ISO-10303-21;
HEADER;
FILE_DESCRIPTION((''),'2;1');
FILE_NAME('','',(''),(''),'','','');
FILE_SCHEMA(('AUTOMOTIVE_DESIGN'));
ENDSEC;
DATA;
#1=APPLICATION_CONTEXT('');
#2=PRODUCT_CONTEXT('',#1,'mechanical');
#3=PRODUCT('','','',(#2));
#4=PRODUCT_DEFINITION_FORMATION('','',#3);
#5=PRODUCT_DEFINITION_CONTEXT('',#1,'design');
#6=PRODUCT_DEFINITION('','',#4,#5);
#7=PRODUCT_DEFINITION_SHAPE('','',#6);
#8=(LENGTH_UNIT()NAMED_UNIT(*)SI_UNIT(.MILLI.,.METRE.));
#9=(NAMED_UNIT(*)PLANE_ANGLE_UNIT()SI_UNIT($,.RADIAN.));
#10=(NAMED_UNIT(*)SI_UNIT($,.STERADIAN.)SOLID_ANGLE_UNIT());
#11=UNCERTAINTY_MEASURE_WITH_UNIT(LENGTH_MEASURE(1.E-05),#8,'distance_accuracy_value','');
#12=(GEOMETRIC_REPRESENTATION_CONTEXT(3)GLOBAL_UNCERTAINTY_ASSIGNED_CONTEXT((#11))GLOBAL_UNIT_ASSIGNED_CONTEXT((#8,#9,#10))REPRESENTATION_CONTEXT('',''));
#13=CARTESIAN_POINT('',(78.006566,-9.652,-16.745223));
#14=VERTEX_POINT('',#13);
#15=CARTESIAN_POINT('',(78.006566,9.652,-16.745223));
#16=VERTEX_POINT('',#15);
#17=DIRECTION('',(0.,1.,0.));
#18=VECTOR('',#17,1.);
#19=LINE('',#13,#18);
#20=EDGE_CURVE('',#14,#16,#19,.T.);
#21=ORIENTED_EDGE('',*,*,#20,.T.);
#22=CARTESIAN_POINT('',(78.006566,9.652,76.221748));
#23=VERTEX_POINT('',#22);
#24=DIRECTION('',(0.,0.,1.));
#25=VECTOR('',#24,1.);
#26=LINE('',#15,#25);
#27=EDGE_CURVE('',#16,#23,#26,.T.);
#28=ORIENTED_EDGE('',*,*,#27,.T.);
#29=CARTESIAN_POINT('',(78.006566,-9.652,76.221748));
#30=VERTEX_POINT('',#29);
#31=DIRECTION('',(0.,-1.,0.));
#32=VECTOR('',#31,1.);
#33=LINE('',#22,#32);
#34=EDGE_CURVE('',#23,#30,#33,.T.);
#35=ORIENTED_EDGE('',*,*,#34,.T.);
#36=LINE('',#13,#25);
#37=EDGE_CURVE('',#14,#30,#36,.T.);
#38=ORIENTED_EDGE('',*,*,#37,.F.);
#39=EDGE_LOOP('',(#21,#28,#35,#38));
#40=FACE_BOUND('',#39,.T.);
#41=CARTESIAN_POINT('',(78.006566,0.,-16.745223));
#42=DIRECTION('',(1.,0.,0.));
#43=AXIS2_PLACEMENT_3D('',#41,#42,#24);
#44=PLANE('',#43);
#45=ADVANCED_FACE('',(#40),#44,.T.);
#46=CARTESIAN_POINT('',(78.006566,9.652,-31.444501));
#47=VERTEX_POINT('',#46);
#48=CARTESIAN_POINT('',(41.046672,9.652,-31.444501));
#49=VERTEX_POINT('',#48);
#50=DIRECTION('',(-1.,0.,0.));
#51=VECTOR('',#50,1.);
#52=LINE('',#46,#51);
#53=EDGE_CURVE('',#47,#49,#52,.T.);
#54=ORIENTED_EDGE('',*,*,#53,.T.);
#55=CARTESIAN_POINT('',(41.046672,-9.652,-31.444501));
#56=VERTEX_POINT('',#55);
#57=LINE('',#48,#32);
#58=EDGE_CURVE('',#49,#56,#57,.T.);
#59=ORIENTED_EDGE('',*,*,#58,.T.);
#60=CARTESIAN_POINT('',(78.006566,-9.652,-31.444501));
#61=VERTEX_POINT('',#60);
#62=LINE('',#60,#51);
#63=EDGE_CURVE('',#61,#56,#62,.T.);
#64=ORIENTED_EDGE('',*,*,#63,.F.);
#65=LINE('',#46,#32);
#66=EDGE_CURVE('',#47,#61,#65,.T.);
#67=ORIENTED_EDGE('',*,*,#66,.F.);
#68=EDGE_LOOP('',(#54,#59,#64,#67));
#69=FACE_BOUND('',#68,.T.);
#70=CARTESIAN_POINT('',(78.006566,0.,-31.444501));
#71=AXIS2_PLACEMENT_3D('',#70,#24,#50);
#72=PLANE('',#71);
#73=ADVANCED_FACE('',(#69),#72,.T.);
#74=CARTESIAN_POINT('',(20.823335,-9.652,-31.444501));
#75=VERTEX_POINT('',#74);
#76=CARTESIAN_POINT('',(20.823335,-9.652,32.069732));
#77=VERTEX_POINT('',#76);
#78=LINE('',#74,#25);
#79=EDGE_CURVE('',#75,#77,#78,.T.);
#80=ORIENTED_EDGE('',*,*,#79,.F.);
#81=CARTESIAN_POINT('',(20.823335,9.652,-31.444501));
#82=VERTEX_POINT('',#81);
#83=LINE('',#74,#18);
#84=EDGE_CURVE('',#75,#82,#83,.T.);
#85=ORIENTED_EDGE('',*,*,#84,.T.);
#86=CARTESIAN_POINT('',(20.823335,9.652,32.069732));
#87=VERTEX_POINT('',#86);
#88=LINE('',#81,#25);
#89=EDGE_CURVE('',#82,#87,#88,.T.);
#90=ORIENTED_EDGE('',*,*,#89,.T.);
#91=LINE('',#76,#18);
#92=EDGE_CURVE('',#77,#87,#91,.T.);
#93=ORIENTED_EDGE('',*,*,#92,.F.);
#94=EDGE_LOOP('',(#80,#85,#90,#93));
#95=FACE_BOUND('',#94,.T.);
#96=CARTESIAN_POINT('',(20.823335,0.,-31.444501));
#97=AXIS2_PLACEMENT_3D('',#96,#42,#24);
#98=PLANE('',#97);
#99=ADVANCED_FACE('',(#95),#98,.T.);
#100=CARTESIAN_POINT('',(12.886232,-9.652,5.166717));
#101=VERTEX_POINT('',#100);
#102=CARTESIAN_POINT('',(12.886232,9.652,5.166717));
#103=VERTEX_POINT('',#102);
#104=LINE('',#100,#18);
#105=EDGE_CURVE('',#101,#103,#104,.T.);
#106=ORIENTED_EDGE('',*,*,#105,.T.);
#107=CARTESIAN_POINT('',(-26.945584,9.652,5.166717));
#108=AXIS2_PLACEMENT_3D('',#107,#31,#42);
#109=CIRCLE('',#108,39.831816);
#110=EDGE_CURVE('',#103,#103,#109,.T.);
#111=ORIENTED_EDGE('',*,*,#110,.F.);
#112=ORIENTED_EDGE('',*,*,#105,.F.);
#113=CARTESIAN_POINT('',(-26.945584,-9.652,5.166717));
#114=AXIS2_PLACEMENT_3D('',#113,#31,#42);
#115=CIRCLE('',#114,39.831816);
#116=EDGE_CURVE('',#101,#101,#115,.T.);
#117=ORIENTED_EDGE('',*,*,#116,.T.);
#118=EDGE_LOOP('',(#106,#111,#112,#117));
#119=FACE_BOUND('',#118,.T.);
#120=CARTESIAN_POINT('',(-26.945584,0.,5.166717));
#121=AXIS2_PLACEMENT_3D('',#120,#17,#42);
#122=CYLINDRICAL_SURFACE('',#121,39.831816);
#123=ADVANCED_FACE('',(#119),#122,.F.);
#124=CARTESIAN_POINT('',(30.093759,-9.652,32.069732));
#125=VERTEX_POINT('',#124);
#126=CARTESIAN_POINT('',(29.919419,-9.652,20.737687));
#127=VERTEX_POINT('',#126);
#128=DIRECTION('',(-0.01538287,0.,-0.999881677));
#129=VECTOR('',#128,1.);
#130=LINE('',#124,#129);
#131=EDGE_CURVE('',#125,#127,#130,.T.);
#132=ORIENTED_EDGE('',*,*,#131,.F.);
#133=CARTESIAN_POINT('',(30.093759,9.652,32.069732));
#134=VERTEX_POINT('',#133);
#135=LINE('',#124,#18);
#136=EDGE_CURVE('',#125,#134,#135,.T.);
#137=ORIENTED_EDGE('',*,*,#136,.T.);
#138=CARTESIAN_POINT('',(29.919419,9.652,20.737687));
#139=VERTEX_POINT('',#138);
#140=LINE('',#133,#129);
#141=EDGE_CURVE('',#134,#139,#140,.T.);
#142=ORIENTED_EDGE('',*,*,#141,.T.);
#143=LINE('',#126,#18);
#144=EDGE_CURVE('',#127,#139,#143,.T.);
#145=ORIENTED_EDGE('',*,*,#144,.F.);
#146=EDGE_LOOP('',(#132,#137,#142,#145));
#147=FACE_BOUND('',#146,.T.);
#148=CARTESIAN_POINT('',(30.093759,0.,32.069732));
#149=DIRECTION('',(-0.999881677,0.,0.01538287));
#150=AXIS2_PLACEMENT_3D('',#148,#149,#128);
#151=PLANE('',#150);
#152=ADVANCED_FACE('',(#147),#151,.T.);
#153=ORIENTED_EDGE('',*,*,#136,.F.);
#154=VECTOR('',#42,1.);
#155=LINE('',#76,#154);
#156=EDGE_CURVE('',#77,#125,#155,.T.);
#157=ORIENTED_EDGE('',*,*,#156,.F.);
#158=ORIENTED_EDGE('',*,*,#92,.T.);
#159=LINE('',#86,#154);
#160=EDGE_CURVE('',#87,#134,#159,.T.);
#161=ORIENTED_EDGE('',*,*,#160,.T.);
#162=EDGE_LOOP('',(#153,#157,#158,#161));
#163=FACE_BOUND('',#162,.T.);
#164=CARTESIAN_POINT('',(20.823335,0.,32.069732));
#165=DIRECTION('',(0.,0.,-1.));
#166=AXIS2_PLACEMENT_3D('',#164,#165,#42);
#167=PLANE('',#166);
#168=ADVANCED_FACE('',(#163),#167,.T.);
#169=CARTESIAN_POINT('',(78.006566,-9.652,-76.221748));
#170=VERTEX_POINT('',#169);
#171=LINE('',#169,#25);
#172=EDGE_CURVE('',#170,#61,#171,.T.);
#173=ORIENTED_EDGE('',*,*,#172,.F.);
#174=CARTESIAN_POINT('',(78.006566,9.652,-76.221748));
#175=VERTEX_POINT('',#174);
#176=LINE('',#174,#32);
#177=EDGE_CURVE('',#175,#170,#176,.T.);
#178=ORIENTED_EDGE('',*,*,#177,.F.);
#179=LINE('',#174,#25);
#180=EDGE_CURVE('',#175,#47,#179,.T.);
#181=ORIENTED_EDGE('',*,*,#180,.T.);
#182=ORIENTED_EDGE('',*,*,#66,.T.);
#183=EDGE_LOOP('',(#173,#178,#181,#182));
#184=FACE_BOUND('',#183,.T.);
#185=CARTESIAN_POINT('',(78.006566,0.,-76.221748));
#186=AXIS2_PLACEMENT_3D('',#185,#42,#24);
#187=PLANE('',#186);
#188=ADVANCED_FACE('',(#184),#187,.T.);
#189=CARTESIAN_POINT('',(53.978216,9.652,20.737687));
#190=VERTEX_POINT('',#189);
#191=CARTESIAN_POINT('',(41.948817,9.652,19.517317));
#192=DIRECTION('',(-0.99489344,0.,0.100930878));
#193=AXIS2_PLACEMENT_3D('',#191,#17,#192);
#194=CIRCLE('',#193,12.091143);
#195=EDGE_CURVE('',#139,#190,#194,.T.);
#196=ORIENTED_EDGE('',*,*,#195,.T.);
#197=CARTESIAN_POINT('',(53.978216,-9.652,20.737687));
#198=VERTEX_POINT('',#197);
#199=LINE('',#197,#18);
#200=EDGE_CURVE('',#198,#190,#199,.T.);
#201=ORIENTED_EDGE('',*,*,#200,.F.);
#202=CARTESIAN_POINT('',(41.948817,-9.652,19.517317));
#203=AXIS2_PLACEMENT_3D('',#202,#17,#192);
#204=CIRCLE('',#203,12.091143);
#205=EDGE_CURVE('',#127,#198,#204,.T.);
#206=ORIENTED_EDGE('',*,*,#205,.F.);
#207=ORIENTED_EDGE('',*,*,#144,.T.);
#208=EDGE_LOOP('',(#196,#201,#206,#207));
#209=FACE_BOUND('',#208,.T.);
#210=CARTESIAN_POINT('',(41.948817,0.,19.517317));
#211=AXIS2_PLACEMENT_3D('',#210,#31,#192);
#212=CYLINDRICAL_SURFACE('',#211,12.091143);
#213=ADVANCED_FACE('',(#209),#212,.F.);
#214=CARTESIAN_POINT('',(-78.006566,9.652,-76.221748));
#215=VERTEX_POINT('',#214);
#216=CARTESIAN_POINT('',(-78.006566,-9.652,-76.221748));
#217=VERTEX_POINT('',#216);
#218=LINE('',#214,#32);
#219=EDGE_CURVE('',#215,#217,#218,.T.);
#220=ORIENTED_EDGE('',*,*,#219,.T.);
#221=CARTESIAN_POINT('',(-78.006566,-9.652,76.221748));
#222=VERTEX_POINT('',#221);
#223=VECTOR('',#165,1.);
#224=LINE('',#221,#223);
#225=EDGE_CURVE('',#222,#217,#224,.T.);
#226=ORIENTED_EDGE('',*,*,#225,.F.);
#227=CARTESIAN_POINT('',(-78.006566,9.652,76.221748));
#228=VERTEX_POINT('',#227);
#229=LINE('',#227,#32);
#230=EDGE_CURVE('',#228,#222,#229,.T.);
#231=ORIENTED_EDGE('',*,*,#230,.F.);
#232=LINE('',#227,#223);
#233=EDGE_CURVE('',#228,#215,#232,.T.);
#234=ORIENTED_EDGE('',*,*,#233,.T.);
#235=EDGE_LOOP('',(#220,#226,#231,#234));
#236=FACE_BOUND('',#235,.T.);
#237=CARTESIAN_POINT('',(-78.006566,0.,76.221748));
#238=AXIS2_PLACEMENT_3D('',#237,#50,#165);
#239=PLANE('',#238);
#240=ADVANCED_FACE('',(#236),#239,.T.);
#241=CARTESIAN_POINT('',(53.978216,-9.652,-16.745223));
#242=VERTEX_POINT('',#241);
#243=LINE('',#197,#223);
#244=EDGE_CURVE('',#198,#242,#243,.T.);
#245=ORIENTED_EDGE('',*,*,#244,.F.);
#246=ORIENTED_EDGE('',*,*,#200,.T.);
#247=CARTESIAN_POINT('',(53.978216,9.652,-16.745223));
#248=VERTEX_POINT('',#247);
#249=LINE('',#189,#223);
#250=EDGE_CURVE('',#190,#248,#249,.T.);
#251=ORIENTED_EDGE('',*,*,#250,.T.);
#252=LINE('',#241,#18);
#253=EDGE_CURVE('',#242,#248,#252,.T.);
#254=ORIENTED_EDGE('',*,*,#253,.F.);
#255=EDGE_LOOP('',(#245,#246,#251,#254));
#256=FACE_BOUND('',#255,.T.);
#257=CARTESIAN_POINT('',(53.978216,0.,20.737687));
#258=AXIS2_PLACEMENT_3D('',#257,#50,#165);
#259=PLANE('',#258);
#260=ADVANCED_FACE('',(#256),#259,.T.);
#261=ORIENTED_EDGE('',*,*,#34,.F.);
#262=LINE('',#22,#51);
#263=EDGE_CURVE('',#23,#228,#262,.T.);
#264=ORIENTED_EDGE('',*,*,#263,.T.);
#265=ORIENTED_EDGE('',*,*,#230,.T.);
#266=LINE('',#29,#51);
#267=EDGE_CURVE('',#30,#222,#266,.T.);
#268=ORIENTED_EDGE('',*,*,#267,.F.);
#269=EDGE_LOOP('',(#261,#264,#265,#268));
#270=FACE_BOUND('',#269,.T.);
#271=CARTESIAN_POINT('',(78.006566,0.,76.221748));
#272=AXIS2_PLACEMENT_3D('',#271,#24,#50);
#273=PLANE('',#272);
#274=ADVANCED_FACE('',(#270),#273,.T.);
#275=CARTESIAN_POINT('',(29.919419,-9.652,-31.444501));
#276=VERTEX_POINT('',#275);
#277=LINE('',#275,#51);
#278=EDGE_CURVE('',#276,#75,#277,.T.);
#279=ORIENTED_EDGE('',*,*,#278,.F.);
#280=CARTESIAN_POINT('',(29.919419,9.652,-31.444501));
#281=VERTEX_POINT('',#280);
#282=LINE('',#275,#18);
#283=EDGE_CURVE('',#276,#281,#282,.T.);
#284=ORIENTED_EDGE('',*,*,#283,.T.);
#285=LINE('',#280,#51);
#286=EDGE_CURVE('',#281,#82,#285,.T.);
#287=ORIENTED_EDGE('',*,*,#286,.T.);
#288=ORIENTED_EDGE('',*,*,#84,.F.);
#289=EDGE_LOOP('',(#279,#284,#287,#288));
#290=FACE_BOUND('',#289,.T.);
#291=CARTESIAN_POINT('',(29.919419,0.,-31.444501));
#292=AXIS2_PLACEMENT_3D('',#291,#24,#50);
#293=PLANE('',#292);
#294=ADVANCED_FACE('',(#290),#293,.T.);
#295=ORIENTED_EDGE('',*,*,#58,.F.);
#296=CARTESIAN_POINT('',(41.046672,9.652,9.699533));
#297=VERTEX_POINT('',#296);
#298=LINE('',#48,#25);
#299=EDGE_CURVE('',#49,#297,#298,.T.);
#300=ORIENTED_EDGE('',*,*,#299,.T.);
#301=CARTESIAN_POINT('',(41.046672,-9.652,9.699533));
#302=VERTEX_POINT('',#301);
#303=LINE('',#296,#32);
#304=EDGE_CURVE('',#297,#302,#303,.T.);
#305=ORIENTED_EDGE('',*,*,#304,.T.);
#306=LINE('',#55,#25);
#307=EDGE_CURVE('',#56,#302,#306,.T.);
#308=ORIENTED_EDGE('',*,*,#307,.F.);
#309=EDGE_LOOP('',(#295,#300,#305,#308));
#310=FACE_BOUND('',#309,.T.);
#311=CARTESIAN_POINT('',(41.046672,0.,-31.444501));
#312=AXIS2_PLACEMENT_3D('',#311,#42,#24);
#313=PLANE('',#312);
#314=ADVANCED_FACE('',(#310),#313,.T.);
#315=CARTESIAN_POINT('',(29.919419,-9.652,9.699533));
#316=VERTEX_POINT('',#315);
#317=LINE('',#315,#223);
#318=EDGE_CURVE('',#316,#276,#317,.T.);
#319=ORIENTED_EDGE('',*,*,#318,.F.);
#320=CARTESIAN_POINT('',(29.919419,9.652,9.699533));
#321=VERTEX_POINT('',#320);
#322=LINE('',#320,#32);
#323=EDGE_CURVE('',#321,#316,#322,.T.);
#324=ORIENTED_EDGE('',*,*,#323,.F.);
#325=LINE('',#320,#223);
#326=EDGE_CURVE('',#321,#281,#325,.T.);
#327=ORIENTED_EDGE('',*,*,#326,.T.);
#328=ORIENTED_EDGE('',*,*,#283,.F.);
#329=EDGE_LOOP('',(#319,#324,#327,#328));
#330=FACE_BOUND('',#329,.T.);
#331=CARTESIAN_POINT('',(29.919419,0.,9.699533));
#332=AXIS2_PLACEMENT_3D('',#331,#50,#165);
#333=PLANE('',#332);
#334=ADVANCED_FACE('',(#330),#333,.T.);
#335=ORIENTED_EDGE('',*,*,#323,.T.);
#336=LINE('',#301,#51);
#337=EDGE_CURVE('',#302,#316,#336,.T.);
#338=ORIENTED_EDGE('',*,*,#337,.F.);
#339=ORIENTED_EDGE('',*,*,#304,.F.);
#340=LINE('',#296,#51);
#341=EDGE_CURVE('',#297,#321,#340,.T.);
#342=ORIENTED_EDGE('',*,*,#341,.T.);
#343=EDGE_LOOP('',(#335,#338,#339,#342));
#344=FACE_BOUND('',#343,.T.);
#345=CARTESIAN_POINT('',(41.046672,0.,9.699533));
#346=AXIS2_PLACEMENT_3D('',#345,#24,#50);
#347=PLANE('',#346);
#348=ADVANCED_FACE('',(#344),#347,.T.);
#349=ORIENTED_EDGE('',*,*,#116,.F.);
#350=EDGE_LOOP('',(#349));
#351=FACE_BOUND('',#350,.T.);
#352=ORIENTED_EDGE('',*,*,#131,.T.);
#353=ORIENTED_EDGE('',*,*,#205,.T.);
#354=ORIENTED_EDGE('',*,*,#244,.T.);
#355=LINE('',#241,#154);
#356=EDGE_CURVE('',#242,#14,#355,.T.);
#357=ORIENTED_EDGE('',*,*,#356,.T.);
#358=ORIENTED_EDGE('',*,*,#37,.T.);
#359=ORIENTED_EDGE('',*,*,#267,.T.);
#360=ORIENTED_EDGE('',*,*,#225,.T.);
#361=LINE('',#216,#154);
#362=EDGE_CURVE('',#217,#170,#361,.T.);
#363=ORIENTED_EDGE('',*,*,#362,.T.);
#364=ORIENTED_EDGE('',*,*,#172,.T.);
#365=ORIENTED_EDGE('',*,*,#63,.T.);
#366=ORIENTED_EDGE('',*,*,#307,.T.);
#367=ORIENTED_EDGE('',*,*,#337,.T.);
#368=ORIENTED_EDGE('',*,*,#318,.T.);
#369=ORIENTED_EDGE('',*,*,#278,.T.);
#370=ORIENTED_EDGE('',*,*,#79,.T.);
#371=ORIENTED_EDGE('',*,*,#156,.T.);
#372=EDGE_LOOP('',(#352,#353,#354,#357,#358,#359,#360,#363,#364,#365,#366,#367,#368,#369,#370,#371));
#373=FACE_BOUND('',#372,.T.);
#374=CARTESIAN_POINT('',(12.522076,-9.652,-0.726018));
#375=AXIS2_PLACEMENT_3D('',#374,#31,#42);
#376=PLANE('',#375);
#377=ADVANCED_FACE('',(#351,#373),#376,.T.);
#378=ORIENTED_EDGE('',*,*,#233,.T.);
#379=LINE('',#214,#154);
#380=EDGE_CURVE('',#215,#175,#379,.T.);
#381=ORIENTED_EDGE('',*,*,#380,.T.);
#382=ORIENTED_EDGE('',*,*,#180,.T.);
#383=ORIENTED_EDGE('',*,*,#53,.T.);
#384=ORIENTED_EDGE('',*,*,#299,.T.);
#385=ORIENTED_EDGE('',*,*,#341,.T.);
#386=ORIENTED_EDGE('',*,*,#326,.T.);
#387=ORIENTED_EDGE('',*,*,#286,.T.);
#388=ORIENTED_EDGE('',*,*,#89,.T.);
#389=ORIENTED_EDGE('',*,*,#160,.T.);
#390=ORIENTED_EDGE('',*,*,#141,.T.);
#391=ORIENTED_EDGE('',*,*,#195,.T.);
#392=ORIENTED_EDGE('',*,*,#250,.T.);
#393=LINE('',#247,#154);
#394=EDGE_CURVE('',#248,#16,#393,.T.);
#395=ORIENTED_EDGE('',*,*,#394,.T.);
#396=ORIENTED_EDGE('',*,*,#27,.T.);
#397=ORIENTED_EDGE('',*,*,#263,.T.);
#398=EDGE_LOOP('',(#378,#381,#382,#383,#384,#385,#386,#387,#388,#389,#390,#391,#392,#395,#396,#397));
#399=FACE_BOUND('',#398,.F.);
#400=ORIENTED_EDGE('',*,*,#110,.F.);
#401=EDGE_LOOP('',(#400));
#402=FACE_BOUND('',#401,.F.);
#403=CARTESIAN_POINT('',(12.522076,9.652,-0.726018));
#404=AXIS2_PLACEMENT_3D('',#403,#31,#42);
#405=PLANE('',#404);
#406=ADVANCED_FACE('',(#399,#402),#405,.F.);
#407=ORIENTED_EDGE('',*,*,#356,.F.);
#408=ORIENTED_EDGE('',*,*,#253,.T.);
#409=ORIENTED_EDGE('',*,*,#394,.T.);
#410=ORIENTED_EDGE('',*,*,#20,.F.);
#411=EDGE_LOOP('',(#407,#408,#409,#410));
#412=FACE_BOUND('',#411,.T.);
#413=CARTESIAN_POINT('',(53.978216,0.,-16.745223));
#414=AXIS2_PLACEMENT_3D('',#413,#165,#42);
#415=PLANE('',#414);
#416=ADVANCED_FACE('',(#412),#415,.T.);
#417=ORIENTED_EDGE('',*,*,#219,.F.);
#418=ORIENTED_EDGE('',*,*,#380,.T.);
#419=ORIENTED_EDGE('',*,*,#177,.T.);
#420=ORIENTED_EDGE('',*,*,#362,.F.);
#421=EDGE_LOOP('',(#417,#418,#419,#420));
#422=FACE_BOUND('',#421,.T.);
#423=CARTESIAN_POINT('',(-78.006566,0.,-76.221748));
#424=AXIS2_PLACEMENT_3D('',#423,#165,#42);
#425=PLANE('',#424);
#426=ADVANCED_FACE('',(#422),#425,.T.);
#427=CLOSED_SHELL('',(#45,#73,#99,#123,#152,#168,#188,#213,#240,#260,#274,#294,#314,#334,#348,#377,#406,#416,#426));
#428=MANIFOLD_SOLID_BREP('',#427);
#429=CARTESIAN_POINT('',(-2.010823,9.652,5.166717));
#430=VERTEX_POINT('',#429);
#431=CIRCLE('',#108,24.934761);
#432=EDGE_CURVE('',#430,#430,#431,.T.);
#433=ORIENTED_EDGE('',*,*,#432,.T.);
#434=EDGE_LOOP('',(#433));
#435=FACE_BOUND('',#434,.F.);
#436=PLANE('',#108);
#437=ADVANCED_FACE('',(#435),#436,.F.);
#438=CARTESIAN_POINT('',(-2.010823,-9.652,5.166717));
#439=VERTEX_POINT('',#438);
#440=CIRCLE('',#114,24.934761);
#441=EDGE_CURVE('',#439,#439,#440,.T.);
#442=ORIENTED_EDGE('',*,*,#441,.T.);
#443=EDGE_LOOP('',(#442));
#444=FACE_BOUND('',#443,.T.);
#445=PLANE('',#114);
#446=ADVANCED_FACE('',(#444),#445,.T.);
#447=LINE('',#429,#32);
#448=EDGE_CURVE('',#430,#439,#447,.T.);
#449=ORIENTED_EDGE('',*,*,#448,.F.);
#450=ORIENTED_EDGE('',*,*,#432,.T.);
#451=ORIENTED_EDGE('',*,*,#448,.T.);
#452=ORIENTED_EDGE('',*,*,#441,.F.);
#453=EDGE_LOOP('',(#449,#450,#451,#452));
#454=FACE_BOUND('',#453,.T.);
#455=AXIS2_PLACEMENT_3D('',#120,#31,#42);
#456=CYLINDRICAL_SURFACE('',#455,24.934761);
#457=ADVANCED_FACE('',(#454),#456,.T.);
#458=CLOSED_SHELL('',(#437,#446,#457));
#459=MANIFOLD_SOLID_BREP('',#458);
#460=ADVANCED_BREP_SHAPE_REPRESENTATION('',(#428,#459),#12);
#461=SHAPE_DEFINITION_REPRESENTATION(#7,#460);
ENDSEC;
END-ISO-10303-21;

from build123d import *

# Parameters (mm, degrees)
F0_R     = 39.831816
F1_DEPTH = 9.652
F0_R_2   = 24.934761
F2_DEPTH = 9.652


with BuildPart() as f1:
    # F0 (on Front) → F1 (new body, symmetric)
    with BuildSketch(Plane.XZ):
        with BuildLine():
            Line((78.006566, -16.745223), (78.006566, 76.221748))
            Line((78.006566, 76.221748), (-78.006566, 76.221748))
            Line((-78.006566, 76.221748), (-78.006566, -76.221748))
            Line((-78.006566, -76.221748), (78.006566, -76.221748))
            Line((78.006566, -76.221748), (78.006566, -31.444501))
            Line((78.006566, -31.444501), (41.046672, -31.444501))
            Line((41.046672, -31.444501), (41.046672, 9.699533))
            Line((41.046672, 9.699533), (29.919419, 9.699533))
            Line((29.919419, 9.699533), (29.919419, -31.444501))
            Line((29.919419, -31.444501), (20.823335, -31.444501))
            Line((20.823335, -31.444501), (20.823335, 32.069732))
            Line((20.823335, 32.069732), (30.093759, 32.069732))
            Line((30.093759, 32.069732), (29.919419, 20.737687))
            ThreePointArc((29.919419, 20.737687), (41.948818, 31.60846), (53.978216, 20.737687))
            Line((53.978216, 20.737687), (53.978216, -16.745223))
            Line((53.978216, -16.745223), (78.006566, -16.745223))
        make_face()
        with Locations((-26.945584, 5.166717)):
            Circle(F0_R, mode=Mode.SUBTRACT)
    extrude(amount=F1_DEPTH, both=True)


with BuildPart() as f2:
    # F0 (on Front) → F2 (new body, symmetric)
    with BuildSketch(Plane.XZ):
        with Locations((-26.945584, 5.166717)):
            Circle(F0_R_2)
    extrude(amount=F2_DEPTH, both=True)


solid = Compound([f1.part, f2.part])
